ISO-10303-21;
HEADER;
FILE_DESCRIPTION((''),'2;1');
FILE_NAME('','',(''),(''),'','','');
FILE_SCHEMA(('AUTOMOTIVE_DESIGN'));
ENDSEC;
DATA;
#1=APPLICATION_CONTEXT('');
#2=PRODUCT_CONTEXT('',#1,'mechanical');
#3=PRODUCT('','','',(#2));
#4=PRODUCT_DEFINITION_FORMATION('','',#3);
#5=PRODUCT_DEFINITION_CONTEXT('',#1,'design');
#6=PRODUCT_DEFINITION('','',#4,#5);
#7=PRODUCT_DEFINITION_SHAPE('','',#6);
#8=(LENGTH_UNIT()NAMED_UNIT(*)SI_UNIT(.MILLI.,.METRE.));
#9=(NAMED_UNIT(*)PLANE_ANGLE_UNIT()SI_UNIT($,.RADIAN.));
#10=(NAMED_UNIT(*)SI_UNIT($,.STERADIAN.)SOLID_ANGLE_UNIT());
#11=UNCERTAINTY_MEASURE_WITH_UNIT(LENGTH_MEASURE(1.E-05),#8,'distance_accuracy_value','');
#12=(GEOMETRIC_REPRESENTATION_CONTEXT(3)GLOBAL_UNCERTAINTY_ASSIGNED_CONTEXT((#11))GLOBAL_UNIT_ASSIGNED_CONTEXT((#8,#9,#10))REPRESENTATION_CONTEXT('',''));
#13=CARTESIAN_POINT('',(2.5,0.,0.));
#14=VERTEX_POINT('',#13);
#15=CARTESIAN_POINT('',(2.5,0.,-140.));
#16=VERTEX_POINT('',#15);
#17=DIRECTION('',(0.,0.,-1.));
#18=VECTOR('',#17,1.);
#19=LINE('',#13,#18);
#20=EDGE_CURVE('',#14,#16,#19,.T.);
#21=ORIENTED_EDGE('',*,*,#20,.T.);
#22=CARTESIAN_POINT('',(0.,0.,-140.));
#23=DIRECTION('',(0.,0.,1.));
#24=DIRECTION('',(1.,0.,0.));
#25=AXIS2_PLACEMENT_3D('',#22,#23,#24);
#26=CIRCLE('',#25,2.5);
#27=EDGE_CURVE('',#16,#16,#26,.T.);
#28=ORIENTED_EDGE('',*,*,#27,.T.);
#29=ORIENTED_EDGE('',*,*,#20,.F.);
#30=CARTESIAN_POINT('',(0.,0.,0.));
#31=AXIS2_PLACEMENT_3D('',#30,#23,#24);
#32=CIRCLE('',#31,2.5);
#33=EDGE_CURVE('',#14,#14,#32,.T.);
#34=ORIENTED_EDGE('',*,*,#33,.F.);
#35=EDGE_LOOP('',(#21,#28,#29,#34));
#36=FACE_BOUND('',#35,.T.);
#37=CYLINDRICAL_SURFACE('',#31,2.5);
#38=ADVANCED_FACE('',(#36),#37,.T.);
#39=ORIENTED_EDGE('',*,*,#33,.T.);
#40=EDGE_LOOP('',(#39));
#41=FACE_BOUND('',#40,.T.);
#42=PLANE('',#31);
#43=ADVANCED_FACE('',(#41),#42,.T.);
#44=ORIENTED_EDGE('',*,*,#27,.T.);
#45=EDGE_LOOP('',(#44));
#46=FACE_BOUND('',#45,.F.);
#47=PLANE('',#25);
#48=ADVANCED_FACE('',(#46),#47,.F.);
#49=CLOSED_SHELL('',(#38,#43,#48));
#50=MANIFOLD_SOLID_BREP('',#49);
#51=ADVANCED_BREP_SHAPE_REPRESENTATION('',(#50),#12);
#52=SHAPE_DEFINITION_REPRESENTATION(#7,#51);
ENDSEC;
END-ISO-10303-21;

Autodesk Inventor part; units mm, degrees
ref_plane "YZ Plane" through (0, 0, 0) normal (1, 0, 0) x (0, 1, 0)
ref_plane "XZ Plane" through (0, 0, 0) normal (0, 1, 0) x (-1, 0, 0)
ref_plane "XY Plane" through (0, 0, 0) normal (0, 0, 1) x (1, 0, 0)
sketch "スケッチ1" plane through (0, 0, 0) normal (0, 0, 1) x (1, 0, 0)
  circle A0 centre (0, 0) radius 2.5
  dimension "d0" = 5
extrude "押し出し1" add sketch "スケッチ1" against normal blind 140
properties part number "円柱5mm"
